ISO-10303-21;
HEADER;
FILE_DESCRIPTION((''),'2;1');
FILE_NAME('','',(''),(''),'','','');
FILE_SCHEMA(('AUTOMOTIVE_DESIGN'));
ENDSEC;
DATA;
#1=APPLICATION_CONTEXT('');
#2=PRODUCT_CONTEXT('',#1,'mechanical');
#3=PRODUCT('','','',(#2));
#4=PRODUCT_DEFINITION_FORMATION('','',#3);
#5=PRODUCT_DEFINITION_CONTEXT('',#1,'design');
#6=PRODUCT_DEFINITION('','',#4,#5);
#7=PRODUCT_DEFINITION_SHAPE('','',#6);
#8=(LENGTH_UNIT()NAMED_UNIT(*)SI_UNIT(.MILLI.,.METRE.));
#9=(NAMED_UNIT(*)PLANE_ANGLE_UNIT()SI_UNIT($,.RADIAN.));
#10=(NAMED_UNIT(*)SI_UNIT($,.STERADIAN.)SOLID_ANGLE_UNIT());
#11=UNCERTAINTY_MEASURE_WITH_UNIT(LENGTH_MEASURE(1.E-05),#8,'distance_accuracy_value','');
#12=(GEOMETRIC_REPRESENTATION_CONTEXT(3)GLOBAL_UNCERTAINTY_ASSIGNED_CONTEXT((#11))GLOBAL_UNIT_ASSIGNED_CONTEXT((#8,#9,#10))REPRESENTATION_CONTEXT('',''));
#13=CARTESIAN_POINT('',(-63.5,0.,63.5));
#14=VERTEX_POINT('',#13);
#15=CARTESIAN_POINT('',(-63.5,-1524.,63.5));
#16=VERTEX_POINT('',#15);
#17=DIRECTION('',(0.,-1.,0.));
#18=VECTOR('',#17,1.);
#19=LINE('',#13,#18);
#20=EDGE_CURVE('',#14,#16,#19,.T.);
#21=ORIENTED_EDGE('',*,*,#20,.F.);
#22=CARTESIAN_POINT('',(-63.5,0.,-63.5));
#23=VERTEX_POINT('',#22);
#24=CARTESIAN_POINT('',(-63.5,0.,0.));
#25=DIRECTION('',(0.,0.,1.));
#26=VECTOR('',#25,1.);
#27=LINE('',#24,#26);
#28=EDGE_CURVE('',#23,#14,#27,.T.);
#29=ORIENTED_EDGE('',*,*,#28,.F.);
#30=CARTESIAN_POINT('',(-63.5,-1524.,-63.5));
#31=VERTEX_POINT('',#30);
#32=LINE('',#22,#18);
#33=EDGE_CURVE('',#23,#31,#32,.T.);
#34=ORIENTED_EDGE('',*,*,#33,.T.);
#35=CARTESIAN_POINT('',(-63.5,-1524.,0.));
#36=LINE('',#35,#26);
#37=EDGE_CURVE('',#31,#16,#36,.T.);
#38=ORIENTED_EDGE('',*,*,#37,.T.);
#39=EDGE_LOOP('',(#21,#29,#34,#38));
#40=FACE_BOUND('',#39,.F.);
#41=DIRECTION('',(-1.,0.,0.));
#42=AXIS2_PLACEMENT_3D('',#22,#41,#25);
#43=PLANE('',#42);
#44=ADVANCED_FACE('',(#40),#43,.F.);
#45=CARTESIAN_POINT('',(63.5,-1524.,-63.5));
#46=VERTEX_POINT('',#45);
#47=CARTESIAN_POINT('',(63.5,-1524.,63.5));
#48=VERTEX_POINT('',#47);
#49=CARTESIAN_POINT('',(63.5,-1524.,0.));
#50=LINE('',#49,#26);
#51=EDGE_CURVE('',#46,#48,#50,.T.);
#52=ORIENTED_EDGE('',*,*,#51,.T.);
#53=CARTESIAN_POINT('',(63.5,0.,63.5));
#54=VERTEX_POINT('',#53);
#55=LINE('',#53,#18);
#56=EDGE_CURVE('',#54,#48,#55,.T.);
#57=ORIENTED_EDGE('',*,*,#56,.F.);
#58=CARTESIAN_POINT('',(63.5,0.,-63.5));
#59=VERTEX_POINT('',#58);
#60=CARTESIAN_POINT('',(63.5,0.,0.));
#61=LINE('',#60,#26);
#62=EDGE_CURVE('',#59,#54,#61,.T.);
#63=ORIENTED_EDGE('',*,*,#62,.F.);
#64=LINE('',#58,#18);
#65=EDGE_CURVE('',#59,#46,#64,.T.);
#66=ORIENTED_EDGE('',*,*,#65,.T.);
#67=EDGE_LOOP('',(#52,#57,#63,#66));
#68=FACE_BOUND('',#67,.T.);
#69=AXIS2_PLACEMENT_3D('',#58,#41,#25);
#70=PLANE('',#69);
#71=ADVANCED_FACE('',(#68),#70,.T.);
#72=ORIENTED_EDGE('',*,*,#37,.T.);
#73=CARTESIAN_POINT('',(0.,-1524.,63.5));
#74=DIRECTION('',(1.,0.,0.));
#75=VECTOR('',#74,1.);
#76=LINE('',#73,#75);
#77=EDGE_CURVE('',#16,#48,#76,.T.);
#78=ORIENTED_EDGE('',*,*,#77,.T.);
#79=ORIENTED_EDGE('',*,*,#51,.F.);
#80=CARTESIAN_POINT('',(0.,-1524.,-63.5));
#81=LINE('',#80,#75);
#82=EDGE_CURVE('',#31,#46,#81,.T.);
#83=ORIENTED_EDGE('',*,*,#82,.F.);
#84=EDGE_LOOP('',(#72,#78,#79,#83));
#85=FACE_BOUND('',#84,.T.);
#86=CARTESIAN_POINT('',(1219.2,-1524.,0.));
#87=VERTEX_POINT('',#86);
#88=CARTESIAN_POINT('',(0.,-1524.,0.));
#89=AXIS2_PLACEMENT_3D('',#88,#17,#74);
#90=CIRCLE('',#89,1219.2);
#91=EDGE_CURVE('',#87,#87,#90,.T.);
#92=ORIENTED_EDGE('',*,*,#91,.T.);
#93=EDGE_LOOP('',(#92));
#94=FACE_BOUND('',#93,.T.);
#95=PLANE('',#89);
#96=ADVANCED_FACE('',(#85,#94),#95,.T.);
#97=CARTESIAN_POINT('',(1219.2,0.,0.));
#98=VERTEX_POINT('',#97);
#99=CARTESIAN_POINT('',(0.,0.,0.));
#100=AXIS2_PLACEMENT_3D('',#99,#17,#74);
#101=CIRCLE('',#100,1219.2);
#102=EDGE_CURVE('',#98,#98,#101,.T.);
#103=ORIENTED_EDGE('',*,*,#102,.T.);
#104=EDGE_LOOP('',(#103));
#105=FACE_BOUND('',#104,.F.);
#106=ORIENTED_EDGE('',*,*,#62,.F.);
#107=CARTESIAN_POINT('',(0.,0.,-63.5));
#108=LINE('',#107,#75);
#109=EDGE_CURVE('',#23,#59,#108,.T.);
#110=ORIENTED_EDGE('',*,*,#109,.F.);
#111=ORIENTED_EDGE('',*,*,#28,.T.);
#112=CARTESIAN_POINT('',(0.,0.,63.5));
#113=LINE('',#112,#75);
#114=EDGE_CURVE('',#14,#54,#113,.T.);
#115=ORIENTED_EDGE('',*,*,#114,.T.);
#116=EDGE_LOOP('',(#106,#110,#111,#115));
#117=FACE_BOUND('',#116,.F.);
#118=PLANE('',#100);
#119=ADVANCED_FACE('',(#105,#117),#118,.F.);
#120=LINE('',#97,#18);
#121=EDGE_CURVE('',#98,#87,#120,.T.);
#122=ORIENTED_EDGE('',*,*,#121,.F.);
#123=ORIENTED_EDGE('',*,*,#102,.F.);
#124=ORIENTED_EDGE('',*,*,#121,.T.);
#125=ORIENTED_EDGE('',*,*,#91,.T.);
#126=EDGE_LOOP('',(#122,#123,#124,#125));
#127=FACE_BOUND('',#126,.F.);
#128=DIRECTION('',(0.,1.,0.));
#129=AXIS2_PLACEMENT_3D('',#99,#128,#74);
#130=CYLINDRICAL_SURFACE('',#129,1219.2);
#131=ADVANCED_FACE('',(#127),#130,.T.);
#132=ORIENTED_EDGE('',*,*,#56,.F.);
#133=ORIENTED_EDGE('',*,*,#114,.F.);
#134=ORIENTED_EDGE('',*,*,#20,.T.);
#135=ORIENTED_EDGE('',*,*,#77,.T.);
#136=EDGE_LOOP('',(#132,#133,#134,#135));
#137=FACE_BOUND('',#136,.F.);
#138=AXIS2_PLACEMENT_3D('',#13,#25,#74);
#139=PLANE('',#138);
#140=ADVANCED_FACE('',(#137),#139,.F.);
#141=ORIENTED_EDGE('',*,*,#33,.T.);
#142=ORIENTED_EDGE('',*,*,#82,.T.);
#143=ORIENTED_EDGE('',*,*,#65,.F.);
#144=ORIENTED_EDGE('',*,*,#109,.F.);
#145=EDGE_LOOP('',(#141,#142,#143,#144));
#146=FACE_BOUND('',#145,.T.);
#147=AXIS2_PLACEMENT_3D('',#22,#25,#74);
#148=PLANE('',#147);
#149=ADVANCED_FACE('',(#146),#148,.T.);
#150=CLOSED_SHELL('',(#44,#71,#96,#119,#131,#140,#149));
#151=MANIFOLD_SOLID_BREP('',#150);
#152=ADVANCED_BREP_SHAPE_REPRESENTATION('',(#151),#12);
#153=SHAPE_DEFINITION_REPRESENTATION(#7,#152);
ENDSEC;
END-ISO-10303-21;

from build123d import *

# Parameters (mm, degrees)
F0_R     = 1219.2
F0_W     = 127
F0_H     = 127
F1_DEPTH = 1524


with BuildPart() as f1:
    # F0 (on Front) → F1 (new body)
    with BuildSketch(Plane.XZ):
        Circle(F0_R)
        Rectangle(F0_W, F0_H, mode=Mode.SUBTRACT)
    extrude(amount=F1_DEPTH)


solid = f1.part
